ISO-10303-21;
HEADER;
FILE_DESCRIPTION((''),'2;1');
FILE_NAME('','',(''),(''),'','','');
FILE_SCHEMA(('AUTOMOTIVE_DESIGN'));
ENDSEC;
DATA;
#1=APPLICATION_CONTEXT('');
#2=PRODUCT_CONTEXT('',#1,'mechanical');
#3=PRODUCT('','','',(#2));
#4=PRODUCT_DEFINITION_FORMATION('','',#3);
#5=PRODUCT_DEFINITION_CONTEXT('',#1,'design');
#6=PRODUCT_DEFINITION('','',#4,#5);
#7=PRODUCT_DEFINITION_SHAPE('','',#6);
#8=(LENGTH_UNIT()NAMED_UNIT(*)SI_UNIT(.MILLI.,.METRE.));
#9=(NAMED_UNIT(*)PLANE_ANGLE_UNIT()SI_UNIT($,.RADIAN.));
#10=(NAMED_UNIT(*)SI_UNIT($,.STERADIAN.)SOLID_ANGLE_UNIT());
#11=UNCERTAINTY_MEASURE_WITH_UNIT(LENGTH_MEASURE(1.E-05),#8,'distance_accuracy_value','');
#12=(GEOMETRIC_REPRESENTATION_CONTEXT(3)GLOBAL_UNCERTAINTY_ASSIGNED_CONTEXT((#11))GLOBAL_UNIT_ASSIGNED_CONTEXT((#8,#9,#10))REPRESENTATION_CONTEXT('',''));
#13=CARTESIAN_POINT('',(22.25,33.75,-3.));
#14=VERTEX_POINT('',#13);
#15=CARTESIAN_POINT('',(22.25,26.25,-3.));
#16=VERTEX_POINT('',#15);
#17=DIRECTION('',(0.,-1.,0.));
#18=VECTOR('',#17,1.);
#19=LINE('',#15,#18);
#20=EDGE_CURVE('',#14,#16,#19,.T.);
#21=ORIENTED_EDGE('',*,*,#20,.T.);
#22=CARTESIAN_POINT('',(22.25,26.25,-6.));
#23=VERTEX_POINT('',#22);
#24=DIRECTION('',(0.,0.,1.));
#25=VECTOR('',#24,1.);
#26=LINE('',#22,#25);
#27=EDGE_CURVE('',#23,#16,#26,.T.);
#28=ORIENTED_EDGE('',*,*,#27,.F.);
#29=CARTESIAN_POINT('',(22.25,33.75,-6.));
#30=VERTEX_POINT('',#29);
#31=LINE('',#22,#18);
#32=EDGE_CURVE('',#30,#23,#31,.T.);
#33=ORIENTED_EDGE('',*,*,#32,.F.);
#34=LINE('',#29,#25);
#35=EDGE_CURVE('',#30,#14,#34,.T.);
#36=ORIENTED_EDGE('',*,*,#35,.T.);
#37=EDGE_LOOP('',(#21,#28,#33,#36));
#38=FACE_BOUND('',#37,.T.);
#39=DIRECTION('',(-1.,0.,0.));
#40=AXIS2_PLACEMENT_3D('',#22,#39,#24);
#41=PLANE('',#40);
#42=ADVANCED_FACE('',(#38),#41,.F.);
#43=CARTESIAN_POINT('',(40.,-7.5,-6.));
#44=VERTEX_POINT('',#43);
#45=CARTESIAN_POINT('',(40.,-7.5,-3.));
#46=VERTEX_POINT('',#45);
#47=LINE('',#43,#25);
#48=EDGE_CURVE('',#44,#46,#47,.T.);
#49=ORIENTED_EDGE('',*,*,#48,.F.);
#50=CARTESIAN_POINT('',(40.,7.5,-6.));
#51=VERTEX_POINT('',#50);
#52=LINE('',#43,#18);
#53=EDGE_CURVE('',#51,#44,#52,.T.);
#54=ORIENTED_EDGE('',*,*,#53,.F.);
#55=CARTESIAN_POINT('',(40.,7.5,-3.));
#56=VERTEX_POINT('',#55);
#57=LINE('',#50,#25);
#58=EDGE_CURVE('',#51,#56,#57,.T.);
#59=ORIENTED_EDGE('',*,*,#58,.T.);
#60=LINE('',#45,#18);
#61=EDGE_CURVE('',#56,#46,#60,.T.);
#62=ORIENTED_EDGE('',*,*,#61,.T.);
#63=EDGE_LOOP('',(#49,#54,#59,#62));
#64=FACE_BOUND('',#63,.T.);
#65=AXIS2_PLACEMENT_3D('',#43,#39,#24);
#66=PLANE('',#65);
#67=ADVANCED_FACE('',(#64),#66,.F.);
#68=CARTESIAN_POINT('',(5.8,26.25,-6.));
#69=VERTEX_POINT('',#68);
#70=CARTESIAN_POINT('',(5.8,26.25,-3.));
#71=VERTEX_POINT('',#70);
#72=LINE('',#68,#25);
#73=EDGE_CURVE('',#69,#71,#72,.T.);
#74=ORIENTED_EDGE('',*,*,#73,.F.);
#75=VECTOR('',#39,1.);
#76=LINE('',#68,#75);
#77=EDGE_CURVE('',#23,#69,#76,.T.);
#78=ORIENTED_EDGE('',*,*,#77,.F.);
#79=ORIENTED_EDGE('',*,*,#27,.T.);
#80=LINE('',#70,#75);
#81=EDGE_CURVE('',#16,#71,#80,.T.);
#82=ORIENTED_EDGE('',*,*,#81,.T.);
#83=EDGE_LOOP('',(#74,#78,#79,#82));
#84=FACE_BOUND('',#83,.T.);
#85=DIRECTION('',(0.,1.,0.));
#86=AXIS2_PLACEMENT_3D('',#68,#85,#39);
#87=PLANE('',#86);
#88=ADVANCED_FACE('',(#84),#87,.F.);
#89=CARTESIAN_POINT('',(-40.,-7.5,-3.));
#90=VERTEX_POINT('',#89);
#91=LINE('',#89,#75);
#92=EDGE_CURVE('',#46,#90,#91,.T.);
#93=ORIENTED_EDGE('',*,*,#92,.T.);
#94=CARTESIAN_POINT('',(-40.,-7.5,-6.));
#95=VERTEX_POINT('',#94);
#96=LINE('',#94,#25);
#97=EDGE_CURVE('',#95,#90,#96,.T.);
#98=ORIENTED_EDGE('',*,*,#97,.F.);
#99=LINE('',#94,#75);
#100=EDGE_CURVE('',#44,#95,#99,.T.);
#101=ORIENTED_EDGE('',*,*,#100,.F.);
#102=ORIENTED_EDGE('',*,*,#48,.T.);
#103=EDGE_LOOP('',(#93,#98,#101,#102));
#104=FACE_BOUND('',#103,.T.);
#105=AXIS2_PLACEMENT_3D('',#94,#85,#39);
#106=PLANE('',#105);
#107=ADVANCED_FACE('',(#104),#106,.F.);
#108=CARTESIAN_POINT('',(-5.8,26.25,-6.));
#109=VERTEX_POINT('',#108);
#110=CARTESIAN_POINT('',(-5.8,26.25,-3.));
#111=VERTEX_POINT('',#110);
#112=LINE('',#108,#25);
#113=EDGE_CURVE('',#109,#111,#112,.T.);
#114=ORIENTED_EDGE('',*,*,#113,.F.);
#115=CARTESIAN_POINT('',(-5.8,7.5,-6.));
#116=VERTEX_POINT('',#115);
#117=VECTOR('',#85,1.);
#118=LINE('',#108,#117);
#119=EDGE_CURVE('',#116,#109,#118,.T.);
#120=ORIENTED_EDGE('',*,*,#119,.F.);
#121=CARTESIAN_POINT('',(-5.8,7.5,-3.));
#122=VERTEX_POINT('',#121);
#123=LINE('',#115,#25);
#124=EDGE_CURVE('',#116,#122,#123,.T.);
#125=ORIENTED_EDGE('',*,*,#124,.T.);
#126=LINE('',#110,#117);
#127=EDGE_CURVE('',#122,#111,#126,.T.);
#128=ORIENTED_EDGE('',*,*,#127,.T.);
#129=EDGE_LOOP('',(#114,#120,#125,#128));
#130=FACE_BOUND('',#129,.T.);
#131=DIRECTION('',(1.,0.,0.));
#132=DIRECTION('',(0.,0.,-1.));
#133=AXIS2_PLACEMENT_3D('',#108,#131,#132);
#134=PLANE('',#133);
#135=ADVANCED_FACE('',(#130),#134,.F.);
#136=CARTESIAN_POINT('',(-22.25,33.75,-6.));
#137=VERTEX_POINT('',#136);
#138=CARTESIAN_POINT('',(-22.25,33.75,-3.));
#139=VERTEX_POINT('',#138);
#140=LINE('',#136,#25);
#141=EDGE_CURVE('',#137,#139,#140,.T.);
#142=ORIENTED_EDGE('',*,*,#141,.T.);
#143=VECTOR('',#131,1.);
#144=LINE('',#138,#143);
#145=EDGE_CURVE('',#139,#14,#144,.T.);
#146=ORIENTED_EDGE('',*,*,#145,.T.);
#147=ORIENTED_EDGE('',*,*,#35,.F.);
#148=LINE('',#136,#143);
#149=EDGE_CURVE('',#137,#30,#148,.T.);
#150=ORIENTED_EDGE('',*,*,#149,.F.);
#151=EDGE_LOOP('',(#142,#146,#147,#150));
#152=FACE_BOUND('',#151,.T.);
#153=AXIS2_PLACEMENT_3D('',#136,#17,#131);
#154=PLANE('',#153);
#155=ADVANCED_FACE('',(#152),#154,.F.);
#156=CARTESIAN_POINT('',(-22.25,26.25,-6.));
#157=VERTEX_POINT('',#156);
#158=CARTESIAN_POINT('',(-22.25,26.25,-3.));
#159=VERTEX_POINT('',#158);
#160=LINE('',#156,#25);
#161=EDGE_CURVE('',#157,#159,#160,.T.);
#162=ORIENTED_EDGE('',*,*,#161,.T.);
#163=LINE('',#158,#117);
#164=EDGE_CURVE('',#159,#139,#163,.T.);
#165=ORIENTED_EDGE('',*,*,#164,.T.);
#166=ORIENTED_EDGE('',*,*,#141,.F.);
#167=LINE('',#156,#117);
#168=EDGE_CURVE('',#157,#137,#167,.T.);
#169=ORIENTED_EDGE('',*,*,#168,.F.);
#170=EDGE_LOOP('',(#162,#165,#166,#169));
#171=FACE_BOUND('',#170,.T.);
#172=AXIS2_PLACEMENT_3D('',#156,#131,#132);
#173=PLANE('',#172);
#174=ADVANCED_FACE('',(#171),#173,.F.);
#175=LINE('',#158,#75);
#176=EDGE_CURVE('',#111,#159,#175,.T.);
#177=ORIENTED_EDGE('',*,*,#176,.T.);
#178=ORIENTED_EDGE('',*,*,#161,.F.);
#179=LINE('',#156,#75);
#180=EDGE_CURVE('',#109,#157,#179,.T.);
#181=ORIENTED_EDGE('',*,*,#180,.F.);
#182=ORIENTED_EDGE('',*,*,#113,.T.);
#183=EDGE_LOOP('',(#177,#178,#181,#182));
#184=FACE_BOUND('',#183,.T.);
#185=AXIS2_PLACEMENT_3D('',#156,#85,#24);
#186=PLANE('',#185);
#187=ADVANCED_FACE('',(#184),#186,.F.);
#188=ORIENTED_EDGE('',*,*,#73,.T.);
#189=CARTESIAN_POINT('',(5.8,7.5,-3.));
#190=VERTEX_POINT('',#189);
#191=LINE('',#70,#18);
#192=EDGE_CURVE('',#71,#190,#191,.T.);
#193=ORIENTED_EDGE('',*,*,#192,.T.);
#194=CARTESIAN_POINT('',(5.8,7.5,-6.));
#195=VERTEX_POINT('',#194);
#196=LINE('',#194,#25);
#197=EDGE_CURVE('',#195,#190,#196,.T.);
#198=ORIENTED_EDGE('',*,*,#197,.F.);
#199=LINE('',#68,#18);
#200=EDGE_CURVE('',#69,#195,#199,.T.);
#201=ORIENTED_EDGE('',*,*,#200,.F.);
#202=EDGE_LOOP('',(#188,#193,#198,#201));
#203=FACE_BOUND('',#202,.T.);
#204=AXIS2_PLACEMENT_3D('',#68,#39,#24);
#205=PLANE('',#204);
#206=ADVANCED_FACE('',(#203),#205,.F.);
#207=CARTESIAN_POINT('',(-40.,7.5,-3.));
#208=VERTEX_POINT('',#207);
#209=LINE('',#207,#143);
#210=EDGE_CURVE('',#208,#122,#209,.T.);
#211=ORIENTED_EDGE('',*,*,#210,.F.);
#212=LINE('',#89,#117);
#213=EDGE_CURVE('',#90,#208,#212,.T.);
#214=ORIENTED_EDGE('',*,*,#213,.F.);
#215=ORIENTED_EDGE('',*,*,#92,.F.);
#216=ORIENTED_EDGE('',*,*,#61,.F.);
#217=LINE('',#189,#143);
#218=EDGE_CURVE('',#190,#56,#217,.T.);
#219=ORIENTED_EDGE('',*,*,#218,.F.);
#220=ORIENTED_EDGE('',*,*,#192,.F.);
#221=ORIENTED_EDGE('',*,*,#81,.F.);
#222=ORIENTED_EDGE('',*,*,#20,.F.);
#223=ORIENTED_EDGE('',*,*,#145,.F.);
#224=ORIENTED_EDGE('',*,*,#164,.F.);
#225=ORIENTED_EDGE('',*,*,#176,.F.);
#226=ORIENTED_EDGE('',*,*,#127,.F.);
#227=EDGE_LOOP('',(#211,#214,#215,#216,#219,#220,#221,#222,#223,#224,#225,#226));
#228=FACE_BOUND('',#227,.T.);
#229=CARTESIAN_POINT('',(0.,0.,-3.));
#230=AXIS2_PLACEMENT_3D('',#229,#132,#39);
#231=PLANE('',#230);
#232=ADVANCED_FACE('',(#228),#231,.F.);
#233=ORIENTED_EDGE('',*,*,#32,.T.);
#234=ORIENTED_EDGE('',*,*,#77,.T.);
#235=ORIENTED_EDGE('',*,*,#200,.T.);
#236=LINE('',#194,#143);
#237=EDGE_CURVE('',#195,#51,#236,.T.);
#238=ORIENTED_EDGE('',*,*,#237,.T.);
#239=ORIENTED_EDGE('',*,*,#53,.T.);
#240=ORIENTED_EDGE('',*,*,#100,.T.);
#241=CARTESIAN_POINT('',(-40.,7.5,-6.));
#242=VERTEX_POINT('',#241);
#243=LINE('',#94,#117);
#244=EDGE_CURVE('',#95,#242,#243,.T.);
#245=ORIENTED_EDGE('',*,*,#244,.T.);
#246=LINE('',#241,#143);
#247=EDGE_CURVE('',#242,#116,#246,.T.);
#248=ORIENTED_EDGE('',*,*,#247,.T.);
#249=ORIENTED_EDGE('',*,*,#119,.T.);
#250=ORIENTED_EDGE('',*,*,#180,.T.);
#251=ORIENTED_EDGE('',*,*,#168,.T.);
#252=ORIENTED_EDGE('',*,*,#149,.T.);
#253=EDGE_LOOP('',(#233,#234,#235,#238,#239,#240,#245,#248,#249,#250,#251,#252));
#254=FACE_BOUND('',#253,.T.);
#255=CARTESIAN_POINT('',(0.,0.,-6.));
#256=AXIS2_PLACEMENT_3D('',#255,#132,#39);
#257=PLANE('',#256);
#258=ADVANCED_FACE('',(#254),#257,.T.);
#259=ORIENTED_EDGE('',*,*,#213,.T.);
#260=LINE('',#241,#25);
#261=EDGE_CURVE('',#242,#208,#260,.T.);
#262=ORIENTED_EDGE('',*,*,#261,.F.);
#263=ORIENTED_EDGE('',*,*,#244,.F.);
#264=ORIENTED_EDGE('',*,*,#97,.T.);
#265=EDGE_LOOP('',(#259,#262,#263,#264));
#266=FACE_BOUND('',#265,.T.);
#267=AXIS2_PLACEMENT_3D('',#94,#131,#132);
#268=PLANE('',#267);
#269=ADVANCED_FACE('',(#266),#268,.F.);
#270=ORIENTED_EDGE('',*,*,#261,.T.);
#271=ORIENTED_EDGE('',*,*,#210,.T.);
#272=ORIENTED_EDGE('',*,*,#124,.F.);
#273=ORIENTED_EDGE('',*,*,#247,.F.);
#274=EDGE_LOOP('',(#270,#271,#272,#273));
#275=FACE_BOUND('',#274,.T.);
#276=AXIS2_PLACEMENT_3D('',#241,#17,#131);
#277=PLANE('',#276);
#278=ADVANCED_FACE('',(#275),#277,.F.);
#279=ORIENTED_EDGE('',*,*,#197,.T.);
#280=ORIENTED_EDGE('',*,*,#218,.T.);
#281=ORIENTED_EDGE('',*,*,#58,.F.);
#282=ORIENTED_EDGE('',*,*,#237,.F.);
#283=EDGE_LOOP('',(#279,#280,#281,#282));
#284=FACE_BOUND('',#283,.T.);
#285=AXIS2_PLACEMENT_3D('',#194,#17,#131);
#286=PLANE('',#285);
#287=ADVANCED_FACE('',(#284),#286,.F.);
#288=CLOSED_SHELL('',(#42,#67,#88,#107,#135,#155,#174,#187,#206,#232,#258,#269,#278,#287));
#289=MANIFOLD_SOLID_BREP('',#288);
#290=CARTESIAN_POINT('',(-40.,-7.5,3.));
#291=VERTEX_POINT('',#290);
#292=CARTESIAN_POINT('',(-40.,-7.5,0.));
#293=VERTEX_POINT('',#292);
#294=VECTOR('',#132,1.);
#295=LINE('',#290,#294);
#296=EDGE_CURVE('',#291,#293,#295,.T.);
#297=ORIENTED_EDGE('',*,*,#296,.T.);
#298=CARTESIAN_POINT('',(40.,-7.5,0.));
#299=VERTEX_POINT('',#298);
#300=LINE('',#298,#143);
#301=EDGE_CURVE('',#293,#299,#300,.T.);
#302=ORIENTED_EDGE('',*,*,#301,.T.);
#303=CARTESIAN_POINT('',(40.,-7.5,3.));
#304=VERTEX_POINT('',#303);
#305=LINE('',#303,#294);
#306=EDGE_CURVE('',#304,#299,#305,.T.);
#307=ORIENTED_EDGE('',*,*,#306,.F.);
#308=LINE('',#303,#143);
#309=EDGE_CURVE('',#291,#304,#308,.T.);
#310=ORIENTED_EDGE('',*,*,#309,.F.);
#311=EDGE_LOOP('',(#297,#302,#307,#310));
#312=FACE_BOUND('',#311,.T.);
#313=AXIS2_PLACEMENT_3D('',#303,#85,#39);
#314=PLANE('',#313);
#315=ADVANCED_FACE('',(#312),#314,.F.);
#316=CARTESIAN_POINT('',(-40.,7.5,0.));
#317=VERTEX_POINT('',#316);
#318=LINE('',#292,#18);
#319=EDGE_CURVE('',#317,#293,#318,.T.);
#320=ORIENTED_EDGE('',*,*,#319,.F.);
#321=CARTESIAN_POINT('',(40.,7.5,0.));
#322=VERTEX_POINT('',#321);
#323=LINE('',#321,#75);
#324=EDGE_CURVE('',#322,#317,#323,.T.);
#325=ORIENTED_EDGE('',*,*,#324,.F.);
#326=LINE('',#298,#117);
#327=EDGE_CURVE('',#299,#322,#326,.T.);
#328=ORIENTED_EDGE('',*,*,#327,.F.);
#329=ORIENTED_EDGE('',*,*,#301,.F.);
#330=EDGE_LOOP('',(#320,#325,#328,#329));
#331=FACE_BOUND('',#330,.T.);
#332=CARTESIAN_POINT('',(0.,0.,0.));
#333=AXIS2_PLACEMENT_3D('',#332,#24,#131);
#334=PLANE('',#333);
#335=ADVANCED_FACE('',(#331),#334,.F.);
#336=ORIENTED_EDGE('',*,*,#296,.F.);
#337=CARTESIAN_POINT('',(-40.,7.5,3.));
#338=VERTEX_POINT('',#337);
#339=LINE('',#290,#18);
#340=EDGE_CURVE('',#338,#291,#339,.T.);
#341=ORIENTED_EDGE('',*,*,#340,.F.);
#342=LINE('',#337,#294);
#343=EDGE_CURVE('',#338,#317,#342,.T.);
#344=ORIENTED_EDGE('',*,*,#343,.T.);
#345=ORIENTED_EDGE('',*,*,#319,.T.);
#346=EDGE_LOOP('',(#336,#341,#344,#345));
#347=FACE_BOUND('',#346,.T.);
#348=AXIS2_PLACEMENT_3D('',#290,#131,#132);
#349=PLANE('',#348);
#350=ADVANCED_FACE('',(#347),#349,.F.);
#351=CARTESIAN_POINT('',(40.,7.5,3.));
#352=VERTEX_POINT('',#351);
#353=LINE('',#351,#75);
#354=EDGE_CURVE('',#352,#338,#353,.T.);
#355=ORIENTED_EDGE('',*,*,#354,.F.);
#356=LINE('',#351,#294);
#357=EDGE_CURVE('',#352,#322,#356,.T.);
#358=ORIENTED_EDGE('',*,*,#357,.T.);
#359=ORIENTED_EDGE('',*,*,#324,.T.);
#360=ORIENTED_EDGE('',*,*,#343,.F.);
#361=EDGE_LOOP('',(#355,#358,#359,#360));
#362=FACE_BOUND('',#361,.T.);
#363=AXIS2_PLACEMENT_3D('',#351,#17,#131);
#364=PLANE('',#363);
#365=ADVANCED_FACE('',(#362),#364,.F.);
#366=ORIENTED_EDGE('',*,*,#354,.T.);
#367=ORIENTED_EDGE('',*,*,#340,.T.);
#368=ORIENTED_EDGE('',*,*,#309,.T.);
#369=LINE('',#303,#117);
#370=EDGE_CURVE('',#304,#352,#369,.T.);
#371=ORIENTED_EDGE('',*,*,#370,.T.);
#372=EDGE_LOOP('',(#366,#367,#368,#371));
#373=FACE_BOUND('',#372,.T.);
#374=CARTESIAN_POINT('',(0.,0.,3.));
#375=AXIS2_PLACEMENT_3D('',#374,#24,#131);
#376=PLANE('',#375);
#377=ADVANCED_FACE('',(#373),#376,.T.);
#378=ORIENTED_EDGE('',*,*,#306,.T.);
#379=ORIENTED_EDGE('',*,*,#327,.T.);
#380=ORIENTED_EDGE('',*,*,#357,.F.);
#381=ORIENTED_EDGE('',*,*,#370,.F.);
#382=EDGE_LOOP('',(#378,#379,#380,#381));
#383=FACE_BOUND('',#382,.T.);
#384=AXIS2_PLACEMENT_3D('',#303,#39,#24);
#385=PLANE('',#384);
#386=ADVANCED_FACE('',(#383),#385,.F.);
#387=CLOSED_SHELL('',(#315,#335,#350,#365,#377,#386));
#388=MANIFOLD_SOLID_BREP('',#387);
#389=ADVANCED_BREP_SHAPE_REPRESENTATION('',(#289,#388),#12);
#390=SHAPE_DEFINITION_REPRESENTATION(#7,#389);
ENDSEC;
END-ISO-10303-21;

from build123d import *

# Parameters (mm, degrees)
SKETCH1_W           = 80
SKETCH1_H           = 15
BOSS_EXTRUDE1_DEPTH = 3
BOSS_EXTRUDE2_DEPTH = 3


with BuildPart() as part:
    # Sketch1 → Boss-Extrude1 (new body)
    with BuildSketch(Plane.XY):
        Rectangle(SKETCH1_W, SKETCH1_H)
    extrude(amount=BOSS_EXTRUDE1_DEPTH)


with BuildPart() as body_2:
    # Sketch3 → Boss-Extrude2 (new body)
    with BuildSketch(Plane(origin=(0, 0, -3), x_dir=(-1, 0, 0), z_dir=(0, 0, -1))):
        Polygon((40, -7.5), (-40, -7.5), (-40, 7.5), (-5.8, 7.5), (-5.8, 26.25), (-22.25, 26.25), (-22.25, 33.75), (22.25, 33.75), (22.25, 26.25), (5.8, 26.25), (5.8, 7.5), (40, 7.5), align=None)
    extrude(amount=BOSS_EXTRUDE2_DEPTH)


solid = Compound([part.part, body_2.part])
